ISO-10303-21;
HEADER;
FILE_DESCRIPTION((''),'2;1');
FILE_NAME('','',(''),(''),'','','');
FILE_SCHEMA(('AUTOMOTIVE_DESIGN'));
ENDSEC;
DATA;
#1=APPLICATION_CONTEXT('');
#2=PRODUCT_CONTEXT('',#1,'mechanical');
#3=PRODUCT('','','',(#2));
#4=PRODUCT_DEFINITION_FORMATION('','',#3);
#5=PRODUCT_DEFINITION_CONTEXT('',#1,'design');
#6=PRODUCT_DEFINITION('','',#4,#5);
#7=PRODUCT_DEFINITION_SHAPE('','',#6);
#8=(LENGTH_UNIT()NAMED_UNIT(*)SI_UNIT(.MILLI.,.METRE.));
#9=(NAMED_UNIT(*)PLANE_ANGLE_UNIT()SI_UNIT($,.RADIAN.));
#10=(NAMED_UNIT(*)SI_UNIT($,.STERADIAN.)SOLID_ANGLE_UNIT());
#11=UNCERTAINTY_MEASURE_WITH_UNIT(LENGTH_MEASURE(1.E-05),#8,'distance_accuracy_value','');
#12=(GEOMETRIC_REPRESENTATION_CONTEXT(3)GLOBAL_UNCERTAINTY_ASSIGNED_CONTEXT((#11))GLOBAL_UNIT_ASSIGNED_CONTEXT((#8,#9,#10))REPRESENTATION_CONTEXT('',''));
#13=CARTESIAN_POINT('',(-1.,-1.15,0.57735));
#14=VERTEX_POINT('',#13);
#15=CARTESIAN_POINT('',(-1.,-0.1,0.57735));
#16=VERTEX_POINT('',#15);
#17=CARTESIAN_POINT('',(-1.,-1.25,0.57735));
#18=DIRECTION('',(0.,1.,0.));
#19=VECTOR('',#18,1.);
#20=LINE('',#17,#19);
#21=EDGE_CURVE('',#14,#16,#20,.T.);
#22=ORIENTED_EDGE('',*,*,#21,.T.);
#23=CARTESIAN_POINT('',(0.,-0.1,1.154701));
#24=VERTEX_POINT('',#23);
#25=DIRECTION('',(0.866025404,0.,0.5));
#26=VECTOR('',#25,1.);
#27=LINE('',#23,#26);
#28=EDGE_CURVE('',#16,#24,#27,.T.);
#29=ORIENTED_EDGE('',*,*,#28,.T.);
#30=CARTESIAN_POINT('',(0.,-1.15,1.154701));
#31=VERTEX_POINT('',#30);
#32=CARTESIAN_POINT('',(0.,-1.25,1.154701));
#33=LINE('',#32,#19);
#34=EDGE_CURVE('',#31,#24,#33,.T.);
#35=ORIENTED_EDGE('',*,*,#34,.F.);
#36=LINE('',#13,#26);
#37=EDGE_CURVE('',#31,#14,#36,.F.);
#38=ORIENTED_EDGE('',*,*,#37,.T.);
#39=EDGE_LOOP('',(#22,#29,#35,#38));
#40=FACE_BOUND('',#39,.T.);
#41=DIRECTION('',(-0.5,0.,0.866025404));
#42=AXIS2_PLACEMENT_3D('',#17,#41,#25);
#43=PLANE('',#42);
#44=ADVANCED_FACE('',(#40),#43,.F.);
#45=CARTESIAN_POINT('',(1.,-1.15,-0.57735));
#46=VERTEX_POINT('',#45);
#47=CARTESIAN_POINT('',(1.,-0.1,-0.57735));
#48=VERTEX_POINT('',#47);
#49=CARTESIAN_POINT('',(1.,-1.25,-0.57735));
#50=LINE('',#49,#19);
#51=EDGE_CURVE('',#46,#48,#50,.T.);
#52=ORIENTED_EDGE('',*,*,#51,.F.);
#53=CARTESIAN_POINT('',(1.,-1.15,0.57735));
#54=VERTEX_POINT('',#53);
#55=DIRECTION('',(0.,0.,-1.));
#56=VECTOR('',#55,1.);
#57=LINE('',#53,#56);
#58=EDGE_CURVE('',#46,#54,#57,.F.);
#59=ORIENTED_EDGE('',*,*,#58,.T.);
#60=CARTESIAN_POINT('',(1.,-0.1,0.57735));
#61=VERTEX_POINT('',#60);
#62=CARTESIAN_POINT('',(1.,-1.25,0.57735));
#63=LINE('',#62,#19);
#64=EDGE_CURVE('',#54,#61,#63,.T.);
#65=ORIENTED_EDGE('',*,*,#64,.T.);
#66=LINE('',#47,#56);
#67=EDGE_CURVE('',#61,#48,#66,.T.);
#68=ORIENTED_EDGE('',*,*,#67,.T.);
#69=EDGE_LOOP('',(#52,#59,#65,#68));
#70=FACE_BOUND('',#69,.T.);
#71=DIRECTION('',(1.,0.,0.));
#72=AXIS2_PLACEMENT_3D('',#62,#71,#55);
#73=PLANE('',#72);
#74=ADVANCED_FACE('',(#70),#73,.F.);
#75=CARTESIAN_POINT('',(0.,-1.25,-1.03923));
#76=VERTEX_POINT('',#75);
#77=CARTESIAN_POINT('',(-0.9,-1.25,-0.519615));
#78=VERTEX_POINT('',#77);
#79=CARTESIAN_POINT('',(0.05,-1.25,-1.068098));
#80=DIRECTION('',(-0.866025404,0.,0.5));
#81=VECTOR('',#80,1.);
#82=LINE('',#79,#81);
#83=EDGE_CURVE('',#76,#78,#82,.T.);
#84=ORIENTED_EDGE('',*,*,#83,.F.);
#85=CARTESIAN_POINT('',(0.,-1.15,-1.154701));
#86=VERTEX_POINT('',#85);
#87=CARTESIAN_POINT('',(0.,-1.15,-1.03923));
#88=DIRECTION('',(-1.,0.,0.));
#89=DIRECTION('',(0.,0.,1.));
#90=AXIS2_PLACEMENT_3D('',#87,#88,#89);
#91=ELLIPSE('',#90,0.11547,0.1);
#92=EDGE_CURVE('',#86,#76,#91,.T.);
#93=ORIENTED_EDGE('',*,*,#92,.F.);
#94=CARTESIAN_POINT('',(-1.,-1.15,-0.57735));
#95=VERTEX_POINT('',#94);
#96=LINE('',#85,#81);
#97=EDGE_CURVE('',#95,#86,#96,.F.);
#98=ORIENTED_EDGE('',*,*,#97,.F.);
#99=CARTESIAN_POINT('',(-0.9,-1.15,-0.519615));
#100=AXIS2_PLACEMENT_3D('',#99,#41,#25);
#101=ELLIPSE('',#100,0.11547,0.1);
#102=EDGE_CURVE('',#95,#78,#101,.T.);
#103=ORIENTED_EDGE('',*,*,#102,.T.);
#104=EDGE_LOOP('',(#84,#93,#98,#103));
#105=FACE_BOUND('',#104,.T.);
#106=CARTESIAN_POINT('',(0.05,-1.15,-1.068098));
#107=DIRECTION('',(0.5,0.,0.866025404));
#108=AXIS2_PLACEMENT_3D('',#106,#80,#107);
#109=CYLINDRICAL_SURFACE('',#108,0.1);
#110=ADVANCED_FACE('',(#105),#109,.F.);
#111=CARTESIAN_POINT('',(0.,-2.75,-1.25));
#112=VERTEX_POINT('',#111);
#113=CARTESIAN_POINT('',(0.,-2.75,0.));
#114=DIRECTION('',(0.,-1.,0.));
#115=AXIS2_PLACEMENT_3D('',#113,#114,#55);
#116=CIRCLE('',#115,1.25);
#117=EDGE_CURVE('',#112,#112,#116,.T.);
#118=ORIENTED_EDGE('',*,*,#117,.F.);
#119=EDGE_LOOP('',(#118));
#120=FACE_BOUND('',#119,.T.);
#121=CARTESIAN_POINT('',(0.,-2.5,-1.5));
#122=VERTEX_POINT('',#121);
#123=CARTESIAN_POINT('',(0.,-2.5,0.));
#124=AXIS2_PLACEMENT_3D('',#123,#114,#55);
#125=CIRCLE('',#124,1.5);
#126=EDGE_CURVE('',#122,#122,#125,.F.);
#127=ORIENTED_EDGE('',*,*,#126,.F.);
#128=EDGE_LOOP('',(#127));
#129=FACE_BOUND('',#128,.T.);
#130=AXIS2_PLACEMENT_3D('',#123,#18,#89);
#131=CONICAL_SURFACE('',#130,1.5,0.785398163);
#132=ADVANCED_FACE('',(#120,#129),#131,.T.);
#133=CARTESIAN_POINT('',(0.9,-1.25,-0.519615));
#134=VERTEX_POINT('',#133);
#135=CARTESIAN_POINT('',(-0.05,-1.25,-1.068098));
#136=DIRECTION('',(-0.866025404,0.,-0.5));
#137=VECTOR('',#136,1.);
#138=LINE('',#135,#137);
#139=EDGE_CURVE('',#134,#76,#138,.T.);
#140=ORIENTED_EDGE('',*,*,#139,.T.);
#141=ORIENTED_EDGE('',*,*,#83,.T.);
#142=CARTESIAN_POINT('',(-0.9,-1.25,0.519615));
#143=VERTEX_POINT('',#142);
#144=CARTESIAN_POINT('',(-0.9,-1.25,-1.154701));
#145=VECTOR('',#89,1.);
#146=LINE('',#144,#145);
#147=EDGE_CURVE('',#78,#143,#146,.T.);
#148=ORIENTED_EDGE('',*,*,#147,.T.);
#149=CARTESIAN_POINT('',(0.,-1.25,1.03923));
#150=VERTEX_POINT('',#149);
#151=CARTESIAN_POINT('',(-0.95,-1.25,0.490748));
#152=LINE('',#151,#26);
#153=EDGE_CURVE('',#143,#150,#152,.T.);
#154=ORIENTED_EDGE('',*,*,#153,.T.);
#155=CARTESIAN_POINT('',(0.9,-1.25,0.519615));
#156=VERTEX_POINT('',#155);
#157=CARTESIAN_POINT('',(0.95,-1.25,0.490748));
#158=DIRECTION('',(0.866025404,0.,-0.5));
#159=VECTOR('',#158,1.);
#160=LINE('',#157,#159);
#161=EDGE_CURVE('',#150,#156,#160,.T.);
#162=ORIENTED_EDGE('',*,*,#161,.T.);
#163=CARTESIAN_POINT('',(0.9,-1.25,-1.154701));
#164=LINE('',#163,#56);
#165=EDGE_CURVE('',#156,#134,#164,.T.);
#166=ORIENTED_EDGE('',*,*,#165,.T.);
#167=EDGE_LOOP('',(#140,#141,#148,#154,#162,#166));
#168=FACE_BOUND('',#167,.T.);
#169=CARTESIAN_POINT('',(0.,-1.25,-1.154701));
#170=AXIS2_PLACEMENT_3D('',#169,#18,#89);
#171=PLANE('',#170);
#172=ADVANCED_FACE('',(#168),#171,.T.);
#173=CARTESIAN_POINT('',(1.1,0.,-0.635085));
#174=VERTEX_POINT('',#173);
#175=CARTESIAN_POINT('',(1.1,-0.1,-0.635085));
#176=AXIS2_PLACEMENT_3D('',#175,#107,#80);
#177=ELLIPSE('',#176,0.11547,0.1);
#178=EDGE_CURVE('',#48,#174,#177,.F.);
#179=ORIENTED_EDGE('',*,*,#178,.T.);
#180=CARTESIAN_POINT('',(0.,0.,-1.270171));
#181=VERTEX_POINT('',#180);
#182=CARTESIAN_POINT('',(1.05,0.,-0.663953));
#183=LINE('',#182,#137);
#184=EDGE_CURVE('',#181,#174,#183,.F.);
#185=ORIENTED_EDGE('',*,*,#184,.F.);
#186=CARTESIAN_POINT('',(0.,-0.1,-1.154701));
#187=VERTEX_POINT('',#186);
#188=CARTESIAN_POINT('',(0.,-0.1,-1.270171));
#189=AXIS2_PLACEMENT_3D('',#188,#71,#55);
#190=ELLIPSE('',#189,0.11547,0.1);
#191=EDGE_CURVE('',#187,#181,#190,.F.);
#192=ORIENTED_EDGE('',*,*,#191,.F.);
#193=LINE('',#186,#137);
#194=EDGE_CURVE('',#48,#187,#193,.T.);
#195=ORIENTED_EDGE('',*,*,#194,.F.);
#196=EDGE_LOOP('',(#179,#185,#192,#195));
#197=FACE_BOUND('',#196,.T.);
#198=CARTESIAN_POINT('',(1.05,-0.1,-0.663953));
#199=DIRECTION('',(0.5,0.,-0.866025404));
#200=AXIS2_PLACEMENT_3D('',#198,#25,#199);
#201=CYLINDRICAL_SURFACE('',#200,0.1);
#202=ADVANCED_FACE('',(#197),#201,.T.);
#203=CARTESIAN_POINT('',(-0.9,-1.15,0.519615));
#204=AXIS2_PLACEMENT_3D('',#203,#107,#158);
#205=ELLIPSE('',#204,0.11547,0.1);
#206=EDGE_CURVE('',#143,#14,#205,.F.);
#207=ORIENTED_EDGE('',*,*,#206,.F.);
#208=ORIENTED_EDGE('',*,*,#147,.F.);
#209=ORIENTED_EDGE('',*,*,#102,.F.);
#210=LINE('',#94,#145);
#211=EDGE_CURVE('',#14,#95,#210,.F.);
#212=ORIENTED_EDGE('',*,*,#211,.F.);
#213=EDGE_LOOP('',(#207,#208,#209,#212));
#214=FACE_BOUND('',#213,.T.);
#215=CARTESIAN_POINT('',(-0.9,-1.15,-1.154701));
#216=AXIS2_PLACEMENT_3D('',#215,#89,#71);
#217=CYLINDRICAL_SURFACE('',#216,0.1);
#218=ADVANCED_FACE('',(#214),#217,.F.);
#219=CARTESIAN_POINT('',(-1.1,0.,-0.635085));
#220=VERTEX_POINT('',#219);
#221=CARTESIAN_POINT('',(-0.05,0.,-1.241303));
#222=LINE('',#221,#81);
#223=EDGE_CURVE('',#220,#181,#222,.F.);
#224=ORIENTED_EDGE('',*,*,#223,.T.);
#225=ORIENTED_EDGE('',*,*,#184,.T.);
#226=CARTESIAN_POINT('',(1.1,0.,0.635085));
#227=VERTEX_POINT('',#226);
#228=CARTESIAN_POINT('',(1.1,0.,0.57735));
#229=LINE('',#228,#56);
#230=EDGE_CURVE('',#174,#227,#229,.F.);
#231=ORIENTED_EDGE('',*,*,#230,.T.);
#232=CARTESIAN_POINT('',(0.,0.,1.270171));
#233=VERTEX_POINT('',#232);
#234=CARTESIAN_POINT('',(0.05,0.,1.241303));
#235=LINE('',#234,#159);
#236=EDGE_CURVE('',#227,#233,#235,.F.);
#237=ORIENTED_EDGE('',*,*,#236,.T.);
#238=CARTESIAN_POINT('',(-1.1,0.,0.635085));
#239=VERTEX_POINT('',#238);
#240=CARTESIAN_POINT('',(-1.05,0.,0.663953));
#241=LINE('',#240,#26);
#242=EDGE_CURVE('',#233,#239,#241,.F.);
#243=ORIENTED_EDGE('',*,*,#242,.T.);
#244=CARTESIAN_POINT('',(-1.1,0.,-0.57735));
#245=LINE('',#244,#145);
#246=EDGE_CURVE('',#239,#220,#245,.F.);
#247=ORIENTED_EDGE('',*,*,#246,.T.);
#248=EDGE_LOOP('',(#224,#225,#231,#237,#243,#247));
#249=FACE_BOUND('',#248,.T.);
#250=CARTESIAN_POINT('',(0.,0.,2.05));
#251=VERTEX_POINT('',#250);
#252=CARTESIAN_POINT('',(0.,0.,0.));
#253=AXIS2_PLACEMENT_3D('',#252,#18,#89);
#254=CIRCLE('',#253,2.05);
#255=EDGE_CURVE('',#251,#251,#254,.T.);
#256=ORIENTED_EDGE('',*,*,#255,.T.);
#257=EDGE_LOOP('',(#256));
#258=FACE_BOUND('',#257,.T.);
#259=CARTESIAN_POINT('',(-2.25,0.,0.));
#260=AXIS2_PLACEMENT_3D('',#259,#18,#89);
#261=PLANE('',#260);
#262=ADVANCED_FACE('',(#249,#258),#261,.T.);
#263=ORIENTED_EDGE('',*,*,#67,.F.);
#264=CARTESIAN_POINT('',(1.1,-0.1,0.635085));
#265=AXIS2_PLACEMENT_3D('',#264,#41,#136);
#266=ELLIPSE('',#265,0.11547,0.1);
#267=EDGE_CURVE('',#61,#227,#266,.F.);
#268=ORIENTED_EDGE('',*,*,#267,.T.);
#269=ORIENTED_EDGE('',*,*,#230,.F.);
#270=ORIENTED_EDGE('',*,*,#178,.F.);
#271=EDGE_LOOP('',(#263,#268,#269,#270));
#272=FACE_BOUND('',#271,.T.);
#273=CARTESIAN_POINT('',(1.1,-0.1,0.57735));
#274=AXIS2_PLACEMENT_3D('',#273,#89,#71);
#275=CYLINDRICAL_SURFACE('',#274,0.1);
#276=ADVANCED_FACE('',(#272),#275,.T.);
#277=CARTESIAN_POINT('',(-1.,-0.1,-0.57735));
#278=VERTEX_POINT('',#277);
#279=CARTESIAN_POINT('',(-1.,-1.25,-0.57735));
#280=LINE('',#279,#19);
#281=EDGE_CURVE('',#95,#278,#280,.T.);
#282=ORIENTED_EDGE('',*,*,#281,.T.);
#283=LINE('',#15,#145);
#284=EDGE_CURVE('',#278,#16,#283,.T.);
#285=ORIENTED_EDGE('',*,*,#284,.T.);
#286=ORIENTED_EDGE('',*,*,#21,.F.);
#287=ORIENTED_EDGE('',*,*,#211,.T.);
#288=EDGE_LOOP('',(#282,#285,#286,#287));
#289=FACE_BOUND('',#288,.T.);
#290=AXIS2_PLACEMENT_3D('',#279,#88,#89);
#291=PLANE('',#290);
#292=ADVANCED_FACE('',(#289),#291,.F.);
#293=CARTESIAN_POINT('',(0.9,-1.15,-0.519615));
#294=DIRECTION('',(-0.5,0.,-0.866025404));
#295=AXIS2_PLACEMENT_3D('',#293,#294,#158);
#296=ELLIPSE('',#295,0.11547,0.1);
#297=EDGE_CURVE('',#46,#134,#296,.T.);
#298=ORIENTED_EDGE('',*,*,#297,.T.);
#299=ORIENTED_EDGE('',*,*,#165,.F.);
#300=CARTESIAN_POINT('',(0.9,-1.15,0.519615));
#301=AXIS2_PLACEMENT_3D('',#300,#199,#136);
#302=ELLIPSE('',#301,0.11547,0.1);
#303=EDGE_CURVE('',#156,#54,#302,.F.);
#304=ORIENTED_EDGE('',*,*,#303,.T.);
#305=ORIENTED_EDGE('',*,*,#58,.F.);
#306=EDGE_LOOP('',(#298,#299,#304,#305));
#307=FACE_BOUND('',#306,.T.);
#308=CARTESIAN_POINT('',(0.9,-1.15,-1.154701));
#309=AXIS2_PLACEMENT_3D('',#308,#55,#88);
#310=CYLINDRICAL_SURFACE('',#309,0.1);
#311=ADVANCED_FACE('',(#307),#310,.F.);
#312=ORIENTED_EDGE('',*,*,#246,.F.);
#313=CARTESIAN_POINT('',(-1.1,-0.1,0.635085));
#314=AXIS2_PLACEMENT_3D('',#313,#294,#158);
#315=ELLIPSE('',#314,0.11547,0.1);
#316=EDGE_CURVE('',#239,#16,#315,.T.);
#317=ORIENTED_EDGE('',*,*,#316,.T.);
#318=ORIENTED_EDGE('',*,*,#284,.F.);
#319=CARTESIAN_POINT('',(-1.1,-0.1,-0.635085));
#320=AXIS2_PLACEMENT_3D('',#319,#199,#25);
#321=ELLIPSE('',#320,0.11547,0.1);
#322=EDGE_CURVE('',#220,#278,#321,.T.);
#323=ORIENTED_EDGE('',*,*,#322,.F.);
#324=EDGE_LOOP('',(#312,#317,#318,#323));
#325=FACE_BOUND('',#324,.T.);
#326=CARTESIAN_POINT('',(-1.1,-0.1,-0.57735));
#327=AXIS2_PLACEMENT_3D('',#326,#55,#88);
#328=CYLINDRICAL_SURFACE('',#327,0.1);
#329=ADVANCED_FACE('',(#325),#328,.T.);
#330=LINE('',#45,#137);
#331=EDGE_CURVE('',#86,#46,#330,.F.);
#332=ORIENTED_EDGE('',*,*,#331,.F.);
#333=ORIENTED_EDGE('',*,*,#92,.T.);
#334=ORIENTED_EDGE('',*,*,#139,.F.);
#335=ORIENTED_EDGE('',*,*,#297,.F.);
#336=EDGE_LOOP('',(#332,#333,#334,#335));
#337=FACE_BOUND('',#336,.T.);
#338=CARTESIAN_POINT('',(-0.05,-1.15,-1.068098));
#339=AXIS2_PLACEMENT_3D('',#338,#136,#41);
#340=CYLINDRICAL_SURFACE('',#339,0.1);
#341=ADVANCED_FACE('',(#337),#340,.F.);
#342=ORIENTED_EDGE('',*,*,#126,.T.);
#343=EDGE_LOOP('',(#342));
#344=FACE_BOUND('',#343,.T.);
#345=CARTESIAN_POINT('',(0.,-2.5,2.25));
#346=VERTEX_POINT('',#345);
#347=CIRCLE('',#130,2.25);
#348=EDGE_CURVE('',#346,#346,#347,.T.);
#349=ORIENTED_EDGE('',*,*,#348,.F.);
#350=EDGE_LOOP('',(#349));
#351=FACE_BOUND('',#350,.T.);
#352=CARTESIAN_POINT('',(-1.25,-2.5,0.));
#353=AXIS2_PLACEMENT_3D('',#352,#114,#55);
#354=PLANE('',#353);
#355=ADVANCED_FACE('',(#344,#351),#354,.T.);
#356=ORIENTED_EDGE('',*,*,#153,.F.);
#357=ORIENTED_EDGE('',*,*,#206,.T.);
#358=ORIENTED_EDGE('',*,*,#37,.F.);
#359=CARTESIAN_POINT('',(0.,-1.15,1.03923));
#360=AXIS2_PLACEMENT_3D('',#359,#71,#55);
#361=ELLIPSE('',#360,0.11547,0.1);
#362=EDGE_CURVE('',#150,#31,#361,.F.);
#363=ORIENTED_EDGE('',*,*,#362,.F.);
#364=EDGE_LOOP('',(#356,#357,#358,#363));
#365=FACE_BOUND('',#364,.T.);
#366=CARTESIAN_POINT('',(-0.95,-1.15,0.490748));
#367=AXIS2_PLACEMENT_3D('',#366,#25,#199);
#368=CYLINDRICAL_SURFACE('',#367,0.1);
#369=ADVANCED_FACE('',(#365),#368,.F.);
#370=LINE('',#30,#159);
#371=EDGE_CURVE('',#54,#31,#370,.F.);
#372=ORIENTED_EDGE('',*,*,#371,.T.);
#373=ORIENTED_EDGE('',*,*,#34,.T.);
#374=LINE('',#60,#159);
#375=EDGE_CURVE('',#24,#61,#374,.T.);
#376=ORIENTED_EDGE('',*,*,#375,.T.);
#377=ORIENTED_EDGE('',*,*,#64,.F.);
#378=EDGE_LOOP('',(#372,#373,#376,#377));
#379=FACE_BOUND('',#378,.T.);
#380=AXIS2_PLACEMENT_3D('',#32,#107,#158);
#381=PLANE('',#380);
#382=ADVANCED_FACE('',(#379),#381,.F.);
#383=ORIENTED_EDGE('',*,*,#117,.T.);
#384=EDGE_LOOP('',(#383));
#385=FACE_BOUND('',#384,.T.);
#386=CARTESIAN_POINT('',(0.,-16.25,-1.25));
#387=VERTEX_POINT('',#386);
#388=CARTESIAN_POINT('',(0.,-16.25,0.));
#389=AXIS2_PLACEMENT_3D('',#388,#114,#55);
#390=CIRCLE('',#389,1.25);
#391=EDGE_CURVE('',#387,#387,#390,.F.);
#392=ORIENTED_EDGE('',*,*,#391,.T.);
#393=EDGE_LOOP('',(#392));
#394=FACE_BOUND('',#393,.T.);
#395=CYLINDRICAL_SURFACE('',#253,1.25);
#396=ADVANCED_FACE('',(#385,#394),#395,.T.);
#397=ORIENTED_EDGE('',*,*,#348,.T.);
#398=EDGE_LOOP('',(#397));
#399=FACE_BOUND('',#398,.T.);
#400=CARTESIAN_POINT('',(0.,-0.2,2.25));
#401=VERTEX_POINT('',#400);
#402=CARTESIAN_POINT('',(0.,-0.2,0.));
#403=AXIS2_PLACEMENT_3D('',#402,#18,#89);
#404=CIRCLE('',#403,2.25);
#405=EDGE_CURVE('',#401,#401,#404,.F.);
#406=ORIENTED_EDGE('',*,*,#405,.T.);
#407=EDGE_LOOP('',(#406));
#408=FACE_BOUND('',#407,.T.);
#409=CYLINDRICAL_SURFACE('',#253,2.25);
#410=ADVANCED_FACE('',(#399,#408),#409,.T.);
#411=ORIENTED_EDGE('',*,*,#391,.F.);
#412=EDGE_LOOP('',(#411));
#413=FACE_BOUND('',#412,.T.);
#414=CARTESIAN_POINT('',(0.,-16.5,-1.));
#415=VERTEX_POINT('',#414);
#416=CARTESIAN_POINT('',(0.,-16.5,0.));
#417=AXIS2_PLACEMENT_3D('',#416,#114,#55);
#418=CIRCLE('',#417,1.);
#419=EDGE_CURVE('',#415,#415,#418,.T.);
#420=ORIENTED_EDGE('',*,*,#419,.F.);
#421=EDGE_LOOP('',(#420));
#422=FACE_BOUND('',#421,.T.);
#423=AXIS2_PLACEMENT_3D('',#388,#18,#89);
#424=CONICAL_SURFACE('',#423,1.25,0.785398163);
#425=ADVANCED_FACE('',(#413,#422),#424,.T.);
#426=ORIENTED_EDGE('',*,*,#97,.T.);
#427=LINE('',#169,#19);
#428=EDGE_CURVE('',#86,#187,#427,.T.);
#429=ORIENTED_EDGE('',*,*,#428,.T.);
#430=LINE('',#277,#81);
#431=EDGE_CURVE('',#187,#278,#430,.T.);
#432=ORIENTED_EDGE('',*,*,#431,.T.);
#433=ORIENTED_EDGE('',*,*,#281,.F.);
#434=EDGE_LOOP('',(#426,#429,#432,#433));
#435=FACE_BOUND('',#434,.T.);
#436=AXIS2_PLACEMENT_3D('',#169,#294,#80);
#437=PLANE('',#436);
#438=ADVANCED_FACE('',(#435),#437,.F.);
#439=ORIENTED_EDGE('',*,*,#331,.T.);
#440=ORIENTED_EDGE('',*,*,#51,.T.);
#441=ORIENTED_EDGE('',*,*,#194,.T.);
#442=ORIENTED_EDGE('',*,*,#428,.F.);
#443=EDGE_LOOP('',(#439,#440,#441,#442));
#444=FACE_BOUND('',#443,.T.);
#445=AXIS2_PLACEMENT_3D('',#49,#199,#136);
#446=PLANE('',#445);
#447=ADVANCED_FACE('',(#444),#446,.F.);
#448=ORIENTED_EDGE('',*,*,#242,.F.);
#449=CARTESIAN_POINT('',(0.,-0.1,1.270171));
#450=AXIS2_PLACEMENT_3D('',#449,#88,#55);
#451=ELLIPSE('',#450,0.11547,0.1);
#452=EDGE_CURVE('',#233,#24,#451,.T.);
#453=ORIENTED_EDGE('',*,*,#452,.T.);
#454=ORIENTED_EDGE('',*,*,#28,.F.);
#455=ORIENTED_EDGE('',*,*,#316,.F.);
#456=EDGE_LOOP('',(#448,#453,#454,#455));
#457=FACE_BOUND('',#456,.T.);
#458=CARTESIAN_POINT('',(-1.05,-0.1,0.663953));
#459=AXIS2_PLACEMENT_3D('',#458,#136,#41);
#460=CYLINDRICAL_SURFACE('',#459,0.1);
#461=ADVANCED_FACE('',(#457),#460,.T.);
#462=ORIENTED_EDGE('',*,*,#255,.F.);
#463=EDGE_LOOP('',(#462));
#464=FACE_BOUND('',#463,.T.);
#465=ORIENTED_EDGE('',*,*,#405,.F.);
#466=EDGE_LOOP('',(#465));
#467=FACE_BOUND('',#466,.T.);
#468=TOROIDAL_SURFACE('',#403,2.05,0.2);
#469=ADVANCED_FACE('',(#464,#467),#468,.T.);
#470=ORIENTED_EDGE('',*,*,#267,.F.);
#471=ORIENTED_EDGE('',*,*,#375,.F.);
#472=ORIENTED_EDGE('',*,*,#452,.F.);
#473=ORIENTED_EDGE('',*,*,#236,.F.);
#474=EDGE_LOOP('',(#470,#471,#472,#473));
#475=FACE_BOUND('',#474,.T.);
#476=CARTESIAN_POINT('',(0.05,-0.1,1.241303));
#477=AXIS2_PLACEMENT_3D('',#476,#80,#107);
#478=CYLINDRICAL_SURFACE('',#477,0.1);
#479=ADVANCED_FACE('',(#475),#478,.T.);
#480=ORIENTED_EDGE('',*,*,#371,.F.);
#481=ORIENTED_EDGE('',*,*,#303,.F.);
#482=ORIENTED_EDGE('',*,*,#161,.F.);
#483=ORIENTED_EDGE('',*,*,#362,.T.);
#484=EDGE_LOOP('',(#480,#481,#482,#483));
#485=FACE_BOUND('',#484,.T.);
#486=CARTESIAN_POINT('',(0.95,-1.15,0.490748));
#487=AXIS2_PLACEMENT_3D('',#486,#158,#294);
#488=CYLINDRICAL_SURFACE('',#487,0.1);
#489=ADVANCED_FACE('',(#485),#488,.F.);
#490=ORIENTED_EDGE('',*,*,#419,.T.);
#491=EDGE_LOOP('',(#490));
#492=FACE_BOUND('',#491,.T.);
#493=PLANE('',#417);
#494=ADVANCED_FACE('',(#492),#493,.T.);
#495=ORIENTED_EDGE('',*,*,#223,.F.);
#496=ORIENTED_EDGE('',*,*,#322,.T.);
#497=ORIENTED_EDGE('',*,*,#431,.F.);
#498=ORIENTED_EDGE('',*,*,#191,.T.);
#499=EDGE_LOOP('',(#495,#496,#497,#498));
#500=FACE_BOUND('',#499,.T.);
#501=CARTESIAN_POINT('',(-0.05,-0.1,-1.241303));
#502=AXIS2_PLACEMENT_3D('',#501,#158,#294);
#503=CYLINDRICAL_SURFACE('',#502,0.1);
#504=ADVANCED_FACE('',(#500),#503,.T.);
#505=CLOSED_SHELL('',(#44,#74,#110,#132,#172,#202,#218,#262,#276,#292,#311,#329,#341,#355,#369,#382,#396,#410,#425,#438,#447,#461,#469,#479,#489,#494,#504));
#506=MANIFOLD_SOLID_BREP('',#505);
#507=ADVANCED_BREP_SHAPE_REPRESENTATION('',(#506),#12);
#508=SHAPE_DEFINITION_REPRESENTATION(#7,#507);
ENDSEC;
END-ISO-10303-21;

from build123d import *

# Parameters (mm, degrees)
CHAMFER1_SIZE      = 0.25
FILLET1_R          = 0.2
CUT_EXTRUDE1_DEPTH = 1.25
FILLET2_R          = 0.1


with BuildPart() as part:
    # Sketch1 → Revolve1 (revolve)
    with BuildSketch(Plane.XY, mode=Mode.PRIVATE) as revolve1_sk:
        Polygon((0, -16.5), (-1.25, -16.5), (-1.25, -2.5), (-2.25, -2.5), (-2.25, 0), (0, 0), align=None)
    revolve(revolve1_sk.sketch.rotate(Axis((0, 0, 0), (0, -1, 0)), 270), axis=Axis((0, 0, 0), (0, -1, 0)))

    # Chamfer1
    chamfer1_edges = [part.edges().sort_by_distance(p)[0] for p in [
        (0, -2.5, -1.25),
        (0, -16.5, -1.25),
    ]]
    chamfer(chamfer1_edges, length=CHAMFER1_SIZE)

    # Fillet1
    fillet1_edges = [part.edges().sort_by_distance(p)[0] for p in [
        (0, 0, -2.25),
    ]]
    fillet(fillet1_edges, radius=FILLET1_R)

    # Sketch2 → Cut-Extrude1 (cut)
    with BuildSketch(Plane(origin=(0, 0, 0), x_dir=(1, 0, 0), z_dir=(0, 1, 0))):
        Polygon((0, 1.154700538), (-1, 0.577350269), (-1, -0.577350269), (0, -1.154700538), (1, -0.577350269), (1, 0.577350269), align=None)
    extrude(amount=-CUT_EXTRUDE1_DEPTH, mode=Mode.SUBTRACT)

    # Fillet2
    fillet2_edges = [part.edges().sort_by_distance(p)[0] for p in [
        (0.5, -1.25, -0.866025404),
        (1, -1.25, 0),
        (0.5, -1.25, 0.866025404),
        (-0.5, -1.25, 0.866025404),
        (-1, -1.25, 0),
        (-0.5, -1.25, -0.866025404),
        (0.4999999999999987, 0, -0.8660254037844397),
        (-0.5000000000000006, 0, -0.8660254037844395),
        (-1, 0, 0),
        (-0.5000000000000007, 0, 0.8660254037844379),
        (0.4999999999999988, 0, 0.8660254037844382),
        (1, 0, 0),
    ]]
    fillet(fillet2_edges, radius=FILLET2_R)


solid = part.part
